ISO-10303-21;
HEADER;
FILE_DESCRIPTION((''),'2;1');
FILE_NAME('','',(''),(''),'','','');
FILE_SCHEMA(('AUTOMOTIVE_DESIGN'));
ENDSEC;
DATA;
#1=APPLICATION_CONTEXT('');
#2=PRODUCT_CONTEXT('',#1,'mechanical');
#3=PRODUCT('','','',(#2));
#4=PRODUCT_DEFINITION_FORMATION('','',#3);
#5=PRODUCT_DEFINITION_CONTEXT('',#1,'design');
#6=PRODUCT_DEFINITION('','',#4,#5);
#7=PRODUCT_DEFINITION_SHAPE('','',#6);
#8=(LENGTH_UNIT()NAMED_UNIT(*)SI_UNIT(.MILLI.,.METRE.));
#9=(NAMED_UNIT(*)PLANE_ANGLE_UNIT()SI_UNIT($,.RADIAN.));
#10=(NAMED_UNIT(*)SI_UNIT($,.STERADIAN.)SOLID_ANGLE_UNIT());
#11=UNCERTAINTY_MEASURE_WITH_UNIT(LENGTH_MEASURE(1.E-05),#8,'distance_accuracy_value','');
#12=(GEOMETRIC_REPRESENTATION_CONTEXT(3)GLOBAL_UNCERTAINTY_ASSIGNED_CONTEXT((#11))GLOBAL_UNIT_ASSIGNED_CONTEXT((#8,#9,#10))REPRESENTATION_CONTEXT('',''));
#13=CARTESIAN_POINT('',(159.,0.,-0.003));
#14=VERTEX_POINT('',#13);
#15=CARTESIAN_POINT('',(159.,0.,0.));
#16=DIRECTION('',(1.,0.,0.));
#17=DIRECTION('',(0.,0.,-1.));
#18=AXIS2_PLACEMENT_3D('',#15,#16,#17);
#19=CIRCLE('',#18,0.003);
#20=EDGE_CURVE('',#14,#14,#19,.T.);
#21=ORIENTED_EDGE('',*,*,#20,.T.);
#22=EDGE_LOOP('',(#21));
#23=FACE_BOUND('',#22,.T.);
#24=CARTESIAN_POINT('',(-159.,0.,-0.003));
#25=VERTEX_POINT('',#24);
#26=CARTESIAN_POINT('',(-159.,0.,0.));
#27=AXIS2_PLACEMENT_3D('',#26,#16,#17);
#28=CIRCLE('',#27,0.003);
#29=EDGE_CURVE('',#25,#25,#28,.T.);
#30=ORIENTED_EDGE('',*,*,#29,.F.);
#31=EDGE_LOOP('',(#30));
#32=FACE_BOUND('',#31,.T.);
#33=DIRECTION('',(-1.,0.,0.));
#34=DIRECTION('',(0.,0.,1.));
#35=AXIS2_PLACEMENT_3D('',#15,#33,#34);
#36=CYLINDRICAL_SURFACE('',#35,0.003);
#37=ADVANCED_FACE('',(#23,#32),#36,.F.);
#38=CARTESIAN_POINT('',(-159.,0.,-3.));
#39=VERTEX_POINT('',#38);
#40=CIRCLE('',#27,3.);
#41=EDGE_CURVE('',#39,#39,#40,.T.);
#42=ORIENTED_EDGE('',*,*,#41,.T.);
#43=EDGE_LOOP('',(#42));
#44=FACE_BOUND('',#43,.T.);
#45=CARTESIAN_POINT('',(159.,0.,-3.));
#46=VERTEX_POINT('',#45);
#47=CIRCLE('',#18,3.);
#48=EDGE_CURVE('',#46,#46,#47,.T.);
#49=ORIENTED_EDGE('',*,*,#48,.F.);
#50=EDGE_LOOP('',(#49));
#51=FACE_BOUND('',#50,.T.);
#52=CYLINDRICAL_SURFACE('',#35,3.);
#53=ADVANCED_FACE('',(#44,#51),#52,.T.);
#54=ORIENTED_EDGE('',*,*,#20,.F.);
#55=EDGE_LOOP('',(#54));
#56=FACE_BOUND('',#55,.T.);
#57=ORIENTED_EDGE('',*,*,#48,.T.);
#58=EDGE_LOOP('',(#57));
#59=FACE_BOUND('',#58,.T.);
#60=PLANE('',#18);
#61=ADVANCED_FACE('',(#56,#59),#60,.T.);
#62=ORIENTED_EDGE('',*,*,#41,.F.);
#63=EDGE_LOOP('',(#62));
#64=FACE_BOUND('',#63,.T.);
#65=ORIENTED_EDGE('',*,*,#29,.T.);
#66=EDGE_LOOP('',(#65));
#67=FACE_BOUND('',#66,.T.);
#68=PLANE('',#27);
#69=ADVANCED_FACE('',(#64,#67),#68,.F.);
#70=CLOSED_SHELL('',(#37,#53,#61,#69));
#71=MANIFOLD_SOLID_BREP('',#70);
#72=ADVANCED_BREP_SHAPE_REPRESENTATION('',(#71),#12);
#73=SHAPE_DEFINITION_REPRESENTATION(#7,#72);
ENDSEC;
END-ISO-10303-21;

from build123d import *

# Parameters (mm, degrees)
SKETCH1_R           = 3
SKETCH1_R_2         = 0.003
BOSS_EXTRUDE1_DEPTH = 159


with BuildPart() as part:
    # Sketch1 → Boss-Extrude1 (new body, symmetric)
    with BuildSketch(Plane(origin=(0, 0, 0), x_dir=(0, 0, -1), z_dir=(1, 0, 0))):
        Circle(SKETCH1_R)
        Circle(SKETCH1_R_2, mode=Mode.SUBTRACT)
    extrude(amount=BOSS_EXTRUDE1_DEPTH, both=True)


solid = part.part
